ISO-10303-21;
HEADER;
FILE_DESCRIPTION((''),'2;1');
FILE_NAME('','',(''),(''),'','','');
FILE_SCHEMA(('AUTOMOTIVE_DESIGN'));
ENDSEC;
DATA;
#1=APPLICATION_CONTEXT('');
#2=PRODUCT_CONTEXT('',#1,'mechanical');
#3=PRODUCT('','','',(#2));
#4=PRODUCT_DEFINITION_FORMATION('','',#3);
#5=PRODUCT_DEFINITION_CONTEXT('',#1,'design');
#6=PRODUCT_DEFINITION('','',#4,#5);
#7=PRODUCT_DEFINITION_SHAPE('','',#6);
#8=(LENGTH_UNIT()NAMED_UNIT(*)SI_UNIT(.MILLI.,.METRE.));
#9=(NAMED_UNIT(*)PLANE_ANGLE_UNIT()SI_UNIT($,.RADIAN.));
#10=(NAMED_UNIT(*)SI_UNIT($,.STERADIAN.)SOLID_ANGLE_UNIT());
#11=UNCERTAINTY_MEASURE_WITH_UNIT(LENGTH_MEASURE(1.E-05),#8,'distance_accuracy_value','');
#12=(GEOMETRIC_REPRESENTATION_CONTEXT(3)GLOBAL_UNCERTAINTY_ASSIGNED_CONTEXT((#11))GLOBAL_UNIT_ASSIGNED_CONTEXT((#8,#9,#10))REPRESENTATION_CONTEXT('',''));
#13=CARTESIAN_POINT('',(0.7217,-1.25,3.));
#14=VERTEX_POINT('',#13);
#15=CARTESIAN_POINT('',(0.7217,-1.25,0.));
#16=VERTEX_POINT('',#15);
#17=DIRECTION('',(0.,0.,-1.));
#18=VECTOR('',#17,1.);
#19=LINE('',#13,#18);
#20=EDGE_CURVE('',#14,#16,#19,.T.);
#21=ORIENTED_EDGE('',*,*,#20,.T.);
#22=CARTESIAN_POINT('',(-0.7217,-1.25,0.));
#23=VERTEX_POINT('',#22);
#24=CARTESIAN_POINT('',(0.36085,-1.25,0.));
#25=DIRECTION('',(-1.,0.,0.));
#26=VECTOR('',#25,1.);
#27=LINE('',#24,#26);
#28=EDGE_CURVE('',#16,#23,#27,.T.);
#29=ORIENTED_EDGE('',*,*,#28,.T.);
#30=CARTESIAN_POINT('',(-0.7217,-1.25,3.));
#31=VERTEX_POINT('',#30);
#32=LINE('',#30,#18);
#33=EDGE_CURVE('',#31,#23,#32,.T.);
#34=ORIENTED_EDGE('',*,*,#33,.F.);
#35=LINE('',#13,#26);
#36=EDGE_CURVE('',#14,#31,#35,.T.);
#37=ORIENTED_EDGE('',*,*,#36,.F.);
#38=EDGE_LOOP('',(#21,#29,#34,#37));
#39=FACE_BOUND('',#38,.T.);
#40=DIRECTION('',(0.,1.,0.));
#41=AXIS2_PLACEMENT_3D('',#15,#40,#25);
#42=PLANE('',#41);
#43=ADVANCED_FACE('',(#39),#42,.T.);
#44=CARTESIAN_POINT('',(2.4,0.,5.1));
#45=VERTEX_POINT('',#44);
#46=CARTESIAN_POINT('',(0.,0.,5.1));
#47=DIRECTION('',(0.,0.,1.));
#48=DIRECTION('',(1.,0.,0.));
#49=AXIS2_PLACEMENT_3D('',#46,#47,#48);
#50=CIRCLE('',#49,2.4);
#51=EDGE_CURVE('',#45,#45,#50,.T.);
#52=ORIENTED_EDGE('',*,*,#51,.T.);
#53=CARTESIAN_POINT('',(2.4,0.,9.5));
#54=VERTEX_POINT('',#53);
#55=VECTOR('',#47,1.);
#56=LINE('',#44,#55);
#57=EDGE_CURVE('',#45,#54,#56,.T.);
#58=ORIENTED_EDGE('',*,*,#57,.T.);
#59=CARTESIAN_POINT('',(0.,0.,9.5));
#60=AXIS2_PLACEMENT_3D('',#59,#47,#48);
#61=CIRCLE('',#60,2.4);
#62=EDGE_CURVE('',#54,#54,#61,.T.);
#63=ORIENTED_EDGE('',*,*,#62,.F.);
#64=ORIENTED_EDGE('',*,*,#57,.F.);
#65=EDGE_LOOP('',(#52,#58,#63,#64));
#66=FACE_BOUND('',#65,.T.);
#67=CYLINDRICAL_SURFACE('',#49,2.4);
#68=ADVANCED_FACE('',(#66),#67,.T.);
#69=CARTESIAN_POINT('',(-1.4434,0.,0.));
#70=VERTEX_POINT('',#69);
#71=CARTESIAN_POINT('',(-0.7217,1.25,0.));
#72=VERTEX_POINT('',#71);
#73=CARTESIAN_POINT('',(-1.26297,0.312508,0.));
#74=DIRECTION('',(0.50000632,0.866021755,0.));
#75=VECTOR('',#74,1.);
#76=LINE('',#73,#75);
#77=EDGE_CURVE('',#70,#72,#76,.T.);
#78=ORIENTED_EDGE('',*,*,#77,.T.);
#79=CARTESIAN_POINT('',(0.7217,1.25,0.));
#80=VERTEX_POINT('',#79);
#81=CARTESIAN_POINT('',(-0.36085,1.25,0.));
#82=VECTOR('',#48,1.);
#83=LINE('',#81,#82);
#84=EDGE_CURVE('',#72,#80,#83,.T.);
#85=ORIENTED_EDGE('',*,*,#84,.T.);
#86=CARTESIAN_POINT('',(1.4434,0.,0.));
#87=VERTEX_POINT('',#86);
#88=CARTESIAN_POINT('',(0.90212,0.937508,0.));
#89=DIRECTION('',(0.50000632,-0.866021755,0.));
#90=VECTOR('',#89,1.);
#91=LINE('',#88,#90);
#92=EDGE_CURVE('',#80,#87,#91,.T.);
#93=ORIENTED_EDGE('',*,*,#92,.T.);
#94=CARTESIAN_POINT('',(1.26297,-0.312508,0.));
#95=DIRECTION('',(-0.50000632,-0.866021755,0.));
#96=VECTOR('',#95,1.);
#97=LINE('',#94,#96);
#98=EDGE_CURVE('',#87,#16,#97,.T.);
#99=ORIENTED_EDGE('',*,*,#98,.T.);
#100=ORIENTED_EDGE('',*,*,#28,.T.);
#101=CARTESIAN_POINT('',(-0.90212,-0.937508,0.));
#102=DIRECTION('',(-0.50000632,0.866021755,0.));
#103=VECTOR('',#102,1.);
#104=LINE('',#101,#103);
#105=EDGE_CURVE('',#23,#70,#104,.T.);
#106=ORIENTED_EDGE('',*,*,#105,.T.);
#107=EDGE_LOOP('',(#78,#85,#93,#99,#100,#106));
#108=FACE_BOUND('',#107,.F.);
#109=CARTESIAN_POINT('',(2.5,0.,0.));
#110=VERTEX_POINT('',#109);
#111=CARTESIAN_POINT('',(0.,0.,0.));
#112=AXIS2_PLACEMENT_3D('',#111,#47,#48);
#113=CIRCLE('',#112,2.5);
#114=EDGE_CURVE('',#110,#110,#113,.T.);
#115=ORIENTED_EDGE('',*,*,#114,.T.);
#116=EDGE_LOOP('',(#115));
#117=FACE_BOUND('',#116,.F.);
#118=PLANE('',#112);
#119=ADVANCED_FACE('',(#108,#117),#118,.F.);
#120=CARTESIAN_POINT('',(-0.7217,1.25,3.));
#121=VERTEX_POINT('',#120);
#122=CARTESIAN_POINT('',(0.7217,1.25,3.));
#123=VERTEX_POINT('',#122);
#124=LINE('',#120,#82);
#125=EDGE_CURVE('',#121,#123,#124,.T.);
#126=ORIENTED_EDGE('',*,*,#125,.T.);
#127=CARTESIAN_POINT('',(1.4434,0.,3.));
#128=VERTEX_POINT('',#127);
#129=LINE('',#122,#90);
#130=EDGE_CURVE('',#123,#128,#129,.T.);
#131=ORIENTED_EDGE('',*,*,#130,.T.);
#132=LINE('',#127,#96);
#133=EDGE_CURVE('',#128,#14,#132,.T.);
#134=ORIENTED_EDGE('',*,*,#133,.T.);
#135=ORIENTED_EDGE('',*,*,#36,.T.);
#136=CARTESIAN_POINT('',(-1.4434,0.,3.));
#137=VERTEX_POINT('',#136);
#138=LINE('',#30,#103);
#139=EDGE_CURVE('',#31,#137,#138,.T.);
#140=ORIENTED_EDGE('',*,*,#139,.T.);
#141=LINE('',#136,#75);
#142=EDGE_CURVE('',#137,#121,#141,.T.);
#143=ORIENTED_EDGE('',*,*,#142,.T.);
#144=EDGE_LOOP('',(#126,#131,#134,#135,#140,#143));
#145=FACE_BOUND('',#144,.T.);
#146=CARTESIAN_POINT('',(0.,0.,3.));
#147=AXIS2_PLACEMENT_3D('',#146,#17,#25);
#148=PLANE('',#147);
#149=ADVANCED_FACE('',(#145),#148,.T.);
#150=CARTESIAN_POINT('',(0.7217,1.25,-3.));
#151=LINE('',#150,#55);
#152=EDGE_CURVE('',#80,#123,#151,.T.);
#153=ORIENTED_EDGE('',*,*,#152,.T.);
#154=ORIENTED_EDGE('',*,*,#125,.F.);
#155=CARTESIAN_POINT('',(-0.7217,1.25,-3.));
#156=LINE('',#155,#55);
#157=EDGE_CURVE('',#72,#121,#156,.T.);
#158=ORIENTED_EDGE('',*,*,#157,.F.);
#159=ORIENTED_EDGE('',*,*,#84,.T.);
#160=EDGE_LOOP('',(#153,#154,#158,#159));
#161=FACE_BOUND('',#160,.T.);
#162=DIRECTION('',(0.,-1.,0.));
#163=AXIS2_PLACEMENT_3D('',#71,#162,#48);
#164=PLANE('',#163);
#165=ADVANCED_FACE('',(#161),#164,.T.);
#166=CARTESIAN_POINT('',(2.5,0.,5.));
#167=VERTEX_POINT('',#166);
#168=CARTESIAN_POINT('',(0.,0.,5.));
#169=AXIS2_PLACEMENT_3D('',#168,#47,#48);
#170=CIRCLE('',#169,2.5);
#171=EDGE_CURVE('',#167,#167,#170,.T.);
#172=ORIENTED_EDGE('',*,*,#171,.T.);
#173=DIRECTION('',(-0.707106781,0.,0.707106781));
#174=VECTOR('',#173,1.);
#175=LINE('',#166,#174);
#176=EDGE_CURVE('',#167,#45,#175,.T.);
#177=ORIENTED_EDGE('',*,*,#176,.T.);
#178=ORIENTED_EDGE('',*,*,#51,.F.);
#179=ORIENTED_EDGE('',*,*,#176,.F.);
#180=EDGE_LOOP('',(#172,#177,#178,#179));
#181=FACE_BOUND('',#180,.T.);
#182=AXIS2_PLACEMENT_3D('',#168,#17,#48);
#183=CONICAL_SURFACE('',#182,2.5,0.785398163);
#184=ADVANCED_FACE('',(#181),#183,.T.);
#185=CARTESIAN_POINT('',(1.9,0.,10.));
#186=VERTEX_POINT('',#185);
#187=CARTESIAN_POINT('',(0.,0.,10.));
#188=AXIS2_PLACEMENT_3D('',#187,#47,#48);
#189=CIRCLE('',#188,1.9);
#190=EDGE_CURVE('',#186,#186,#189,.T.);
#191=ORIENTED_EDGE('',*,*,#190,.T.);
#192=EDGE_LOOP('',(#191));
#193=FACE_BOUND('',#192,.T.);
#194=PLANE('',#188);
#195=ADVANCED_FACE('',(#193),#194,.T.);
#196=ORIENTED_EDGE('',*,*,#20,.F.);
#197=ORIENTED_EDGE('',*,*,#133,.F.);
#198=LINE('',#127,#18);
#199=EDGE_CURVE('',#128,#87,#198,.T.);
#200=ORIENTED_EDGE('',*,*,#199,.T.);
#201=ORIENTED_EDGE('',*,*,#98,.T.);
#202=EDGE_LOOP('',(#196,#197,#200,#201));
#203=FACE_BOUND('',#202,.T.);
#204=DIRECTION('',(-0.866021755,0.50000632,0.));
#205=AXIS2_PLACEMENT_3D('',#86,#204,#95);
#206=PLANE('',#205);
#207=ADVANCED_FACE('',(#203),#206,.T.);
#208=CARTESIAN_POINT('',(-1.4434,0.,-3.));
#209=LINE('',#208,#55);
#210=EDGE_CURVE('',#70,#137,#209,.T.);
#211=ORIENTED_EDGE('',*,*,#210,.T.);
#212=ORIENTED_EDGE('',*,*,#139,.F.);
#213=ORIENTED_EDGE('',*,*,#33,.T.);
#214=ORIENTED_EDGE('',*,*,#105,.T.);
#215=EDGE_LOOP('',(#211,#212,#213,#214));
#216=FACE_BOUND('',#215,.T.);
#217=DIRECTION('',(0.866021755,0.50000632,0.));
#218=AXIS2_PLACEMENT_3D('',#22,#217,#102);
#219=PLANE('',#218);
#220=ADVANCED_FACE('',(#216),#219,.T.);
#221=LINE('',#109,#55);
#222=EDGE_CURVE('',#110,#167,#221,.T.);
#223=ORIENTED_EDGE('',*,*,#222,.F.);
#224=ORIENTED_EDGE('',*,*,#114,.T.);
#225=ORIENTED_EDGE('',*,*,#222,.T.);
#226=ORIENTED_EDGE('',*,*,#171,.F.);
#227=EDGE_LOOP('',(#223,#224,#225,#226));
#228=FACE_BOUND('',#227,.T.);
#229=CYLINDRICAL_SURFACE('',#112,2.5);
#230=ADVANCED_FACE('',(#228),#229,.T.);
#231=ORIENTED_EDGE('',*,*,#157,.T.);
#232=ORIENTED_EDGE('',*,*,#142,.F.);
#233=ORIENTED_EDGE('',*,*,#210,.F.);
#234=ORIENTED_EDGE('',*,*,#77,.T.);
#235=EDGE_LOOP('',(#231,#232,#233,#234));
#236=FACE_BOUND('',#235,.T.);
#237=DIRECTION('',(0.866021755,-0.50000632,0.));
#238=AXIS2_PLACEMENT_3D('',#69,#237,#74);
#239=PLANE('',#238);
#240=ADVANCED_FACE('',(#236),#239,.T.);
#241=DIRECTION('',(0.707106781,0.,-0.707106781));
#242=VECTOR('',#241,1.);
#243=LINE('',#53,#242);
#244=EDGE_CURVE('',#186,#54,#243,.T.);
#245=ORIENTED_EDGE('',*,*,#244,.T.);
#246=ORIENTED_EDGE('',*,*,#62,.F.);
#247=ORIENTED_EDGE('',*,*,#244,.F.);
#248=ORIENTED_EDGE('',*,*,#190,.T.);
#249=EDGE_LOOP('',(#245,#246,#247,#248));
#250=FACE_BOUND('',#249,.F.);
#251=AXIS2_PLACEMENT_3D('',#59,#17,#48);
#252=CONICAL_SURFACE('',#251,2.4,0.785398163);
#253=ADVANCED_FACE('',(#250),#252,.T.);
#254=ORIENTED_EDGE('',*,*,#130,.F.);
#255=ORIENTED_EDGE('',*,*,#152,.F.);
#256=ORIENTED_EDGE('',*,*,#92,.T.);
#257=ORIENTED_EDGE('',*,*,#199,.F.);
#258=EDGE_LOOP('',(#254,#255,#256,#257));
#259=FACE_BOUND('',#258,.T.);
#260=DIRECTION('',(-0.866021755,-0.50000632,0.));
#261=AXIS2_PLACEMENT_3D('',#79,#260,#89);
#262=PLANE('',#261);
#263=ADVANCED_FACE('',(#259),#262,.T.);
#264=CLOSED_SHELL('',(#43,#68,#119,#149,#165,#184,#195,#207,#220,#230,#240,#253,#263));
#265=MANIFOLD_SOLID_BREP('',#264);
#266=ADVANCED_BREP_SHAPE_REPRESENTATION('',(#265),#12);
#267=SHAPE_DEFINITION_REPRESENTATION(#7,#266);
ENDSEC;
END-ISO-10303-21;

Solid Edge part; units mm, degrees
sketch "Sketch1" plane through (0, 0, 0) normal (0, -1, 0) x (1, 0, 0)
  line L0 (2.5, 0) -> (2.5, 5)
  line L1 (2.5, 5) -> (2.4, 5.1)
  line L2 (2.4, 5.1) -> (2.4, 10)
  line L3 (2.4, 10) -> (0, 10)
  line L4 (2.5, 0) -> (0, 0)
  dimension "D1" = 5
  dimension "D2" = 10
revolve "RevolvedProtrusion1" add sketch "Sketch1" angle 360 about axis through (0, 0, 0) along (0, 0, 1)
sketch "Sketch2" plane through (0, 0, 0) normal (0, 0, -1) x (-1, 0, 0)
  line L0 (-0.7217, 1.25) -> (-1.4434, 0)
  line L1 (-1.4434, 0) -> (-0.7217, -1.25)
  line L2 (-0.7217, -1.25) -> (0.7217, -1.25)
  line L3 (0.7217, -1.25) -> (1.4434, 0)
  line L4 (1.4434, 0) -> (0.7217, 1.25)
  line L5 (0.7217, 1.25) -> (-0.7217, 1.25)
extrude "Cutout1" cut sketch "Sketch2" along normal mid plane 6
chamfer "Chamfer_1" distance 0.5 angle 45 1 edges at (-2.4, 0, 10)
cosmetic_thread "Thread1" size "M5"
properties material "Steel"
